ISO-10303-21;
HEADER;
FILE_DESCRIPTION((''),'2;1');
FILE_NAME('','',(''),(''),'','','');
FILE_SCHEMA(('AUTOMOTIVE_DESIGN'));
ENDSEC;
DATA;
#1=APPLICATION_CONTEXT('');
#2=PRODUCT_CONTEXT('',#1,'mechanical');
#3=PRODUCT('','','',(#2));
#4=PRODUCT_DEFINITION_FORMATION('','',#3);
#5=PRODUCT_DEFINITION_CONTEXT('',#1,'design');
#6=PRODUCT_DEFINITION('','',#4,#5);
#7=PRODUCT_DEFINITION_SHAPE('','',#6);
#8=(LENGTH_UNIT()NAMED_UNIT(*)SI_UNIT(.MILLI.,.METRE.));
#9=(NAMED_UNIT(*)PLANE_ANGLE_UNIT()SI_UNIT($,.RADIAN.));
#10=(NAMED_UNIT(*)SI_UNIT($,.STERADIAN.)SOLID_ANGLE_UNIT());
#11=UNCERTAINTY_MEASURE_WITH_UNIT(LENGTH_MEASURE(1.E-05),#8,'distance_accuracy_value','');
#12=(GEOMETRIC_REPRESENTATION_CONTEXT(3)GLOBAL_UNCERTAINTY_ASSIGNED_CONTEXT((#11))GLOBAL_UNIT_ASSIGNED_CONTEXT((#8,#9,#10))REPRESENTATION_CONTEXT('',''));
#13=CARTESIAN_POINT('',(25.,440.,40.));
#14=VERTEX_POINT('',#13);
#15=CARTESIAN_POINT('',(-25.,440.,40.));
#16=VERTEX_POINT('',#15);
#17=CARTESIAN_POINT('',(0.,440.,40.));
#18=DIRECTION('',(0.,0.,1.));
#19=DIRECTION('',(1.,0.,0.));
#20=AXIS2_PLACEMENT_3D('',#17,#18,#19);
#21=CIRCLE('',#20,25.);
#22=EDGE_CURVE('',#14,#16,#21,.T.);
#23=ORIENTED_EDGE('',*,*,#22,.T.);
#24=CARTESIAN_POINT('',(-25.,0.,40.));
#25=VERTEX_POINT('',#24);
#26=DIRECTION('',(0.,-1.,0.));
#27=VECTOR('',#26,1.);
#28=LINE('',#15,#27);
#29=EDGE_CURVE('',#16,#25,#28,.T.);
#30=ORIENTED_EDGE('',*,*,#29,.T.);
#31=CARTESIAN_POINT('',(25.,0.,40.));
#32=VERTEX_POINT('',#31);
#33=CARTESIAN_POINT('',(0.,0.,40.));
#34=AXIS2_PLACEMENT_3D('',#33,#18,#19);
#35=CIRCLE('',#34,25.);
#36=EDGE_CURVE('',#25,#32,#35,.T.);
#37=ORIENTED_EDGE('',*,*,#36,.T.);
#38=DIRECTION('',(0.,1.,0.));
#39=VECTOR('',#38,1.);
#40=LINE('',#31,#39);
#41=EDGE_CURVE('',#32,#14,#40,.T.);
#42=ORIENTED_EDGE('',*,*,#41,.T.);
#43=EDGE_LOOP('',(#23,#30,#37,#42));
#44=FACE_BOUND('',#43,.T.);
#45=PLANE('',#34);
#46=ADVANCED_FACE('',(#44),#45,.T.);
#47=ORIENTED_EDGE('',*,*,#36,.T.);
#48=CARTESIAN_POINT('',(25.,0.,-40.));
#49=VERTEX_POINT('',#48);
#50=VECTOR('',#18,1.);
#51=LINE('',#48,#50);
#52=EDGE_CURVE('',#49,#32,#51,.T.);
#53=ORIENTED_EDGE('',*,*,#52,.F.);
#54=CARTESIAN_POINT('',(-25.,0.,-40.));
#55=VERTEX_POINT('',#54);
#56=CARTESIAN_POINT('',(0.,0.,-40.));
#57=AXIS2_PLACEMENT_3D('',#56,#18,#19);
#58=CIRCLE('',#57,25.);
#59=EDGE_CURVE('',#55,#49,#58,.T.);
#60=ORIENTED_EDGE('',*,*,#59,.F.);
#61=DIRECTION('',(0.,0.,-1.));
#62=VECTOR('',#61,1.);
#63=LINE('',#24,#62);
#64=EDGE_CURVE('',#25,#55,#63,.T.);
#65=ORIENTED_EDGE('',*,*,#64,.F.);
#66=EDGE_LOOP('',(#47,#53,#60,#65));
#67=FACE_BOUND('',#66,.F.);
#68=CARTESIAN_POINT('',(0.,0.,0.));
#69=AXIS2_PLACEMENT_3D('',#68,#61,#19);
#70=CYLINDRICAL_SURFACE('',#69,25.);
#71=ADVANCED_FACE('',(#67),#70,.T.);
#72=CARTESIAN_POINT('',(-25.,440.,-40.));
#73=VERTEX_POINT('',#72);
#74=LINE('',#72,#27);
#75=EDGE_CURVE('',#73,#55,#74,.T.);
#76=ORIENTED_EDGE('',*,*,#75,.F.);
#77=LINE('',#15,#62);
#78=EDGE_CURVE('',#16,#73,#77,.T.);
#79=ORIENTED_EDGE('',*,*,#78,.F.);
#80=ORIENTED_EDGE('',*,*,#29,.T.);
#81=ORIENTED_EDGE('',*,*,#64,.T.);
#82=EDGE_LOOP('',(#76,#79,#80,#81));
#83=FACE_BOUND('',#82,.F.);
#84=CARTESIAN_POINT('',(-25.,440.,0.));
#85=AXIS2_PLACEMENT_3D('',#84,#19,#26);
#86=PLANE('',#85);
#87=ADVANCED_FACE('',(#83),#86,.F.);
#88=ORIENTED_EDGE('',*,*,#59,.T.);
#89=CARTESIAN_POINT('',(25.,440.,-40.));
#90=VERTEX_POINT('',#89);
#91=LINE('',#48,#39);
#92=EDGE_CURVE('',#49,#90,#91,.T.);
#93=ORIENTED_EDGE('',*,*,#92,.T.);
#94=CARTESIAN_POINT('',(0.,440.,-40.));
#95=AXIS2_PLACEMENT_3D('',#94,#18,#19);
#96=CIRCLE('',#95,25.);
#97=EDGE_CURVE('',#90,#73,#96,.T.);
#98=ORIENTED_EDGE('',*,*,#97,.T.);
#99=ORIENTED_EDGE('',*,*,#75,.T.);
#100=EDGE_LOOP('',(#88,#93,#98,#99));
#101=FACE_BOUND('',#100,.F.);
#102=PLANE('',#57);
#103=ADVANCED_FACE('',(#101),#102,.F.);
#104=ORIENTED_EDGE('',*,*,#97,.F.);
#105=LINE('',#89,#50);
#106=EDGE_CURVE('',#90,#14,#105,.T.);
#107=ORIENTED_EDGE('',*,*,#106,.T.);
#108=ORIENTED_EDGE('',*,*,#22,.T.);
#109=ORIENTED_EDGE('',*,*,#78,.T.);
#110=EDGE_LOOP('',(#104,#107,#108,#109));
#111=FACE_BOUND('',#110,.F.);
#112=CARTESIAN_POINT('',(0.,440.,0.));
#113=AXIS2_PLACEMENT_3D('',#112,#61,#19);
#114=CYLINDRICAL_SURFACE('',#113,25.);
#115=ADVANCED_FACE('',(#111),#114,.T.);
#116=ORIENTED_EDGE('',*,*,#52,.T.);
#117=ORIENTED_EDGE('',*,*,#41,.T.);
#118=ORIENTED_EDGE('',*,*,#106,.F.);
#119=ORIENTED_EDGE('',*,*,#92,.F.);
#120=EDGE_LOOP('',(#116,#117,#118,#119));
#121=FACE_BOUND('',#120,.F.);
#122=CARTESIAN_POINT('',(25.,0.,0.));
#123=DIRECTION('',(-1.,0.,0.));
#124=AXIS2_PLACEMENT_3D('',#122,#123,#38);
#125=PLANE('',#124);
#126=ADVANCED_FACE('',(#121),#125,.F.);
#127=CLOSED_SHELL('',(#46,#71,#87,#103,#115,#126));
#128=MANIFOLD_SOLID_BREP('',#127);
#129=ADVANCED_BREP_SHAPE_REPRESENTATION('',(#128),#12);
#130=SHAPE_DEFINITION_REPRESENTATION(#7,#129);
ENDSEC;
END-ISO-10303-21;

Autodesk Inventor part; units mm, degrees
ref_plane "YZ Plane" through (0, 0, 0) normal (1, 0, 0) x (0, 1, 0)
ref_plane "XZ Plane" through (0, 0, 0) normal (0, 1, 0) x (-1, 0, 0)
ref_plane "XY Plane" through (0, 0, 0) normal (0, 0, 1) x (1, 0, 0)
sketch "スケッチ1" plane through (0, 0, 0) normal (0, 0, 1) x (1, 0, 0)
  circle A0 centre (0, 0) radius 25
  circle A1 centre (0, 440) radius 25
  line L0 (-25, 440) -> (-25, 0)
  line L1 (25, 0) -> (25, 440)
  dimension "d0" = 50
  dimension "d1" = 50
  dimension "d2" = 440
extrude "押し出し1" add sketch "スケッチ1" along normal mid plane 80
properties part number "link3"
